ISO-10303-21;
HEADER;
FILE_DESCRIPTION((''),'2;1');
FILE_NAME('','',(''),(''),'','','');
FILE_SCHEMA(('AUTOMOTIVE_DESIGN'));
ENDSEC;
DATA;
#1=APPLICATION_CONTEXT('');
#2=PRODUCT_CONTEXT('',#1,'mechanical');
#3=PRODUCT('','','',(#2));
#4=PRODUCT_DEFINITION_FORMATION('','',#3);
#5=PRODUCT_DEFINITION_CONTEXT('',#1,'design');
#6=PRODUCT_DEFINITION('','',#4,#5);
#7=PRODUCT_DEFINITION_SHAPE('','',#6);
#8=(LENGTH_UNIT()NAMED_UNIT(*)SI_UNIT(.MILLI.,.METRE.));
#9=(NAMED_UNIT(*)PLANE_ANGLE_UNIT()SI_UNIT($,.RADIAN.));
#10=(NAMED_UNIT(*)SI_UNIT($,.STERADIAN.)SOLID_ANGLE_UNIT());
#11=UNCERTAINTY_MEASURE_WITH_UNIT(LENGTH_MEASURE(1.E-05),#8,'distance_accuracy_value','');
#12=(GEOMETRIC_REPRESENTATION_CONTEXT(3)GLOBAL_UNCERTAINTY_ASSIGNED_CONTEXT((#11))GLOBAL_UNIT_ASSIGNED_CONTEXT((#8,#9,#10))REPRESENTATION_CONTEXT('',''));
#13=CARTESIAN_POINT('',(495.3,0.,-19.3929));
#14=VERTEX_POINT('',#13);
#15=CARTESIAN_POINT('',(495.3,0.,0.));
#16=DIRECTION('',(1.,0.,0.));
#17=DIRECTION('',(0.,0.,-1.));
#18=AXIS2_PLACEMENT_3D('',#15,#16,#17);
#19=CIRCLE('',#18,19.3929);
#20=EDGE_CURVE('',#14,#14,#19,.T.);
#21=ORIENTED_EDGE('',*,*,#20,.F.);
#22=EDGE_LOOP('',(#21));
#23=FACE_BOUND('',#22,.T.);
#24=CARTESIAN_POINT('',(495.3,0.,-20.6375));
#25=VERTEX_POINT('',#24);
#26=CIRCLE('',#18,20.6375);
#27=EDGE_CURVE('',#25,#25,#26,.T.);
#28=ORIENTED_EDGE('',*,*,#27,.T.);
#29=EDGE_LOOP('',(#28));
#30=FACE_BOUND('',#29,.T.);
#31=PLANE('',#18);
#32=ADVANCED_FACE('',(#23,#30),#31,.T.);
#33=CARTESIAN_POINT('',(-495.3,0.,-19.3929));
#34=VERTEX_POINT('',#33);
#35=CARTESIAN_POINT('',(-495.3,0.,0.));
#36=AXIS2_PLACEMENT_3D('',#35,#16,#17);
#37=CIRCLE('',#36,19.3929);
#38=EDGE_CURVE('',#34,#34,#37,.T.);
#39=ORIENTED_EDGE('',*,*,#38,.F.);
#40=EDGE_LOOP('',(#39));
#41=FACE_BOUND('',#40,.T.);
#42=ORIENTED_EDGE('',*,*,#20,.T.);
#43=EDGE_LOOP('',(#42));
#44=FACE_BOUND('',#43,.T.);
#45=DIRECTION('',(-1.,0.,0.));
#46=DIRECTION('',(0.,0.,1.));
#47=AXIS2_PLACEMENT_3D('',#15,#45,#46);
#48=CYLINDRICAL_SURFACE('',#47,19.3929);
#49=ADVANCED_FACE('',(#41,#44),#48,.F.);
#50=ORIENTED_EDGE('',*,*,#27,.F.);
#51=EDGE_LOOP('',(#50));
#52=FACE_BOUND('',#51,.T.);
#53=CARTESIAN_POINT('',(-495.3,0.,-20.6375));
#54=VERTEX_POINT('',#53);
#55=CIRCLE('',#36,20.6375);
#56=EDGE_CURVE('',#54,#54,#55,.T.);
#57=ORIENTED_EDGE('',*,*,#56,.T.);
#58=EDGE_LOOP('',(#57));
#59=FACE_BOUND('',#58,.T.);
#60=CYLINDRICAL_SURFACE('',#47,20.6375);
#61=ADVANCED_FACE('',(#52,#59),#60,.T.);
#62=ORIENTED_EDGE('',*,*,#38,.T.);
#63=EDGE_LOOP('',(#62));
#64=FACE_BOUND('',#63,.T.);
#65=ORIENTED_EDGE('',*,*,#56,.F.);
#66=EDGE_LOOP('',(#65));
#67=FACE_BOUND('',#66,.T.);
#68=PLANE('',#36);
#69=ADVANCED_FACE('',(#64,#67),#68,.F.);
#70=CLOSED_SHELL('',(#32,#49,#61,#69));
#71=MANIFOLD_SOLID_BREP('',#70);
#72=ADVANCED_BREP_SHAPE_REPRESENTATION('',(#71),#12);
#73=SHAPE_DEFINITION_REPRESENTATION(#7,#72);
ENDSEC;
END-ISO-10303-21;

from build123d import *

# Parameters (mm, degrees)
SKETCH1_R      = 20.6375
SKETCH1_R_2    = 19.3929
EXTRUDE1_DEPTH = 495.3


with BuildPart() as part:
    # Sketch1 → Extrude1 (new body, symmetric)
    with BuildSketch(Plane(origin=(0, 0, 0), x_dir=(0, 0, -1), z_dir=(1, 0, 0))):
        Circle(SKETCH1_R)
        Circle(SKETCH1_R_2, mode=Mode.SUBTRACT)
    extrude(amount=EXTRUDE1_DEPTH, both=True)


solid = part.part
